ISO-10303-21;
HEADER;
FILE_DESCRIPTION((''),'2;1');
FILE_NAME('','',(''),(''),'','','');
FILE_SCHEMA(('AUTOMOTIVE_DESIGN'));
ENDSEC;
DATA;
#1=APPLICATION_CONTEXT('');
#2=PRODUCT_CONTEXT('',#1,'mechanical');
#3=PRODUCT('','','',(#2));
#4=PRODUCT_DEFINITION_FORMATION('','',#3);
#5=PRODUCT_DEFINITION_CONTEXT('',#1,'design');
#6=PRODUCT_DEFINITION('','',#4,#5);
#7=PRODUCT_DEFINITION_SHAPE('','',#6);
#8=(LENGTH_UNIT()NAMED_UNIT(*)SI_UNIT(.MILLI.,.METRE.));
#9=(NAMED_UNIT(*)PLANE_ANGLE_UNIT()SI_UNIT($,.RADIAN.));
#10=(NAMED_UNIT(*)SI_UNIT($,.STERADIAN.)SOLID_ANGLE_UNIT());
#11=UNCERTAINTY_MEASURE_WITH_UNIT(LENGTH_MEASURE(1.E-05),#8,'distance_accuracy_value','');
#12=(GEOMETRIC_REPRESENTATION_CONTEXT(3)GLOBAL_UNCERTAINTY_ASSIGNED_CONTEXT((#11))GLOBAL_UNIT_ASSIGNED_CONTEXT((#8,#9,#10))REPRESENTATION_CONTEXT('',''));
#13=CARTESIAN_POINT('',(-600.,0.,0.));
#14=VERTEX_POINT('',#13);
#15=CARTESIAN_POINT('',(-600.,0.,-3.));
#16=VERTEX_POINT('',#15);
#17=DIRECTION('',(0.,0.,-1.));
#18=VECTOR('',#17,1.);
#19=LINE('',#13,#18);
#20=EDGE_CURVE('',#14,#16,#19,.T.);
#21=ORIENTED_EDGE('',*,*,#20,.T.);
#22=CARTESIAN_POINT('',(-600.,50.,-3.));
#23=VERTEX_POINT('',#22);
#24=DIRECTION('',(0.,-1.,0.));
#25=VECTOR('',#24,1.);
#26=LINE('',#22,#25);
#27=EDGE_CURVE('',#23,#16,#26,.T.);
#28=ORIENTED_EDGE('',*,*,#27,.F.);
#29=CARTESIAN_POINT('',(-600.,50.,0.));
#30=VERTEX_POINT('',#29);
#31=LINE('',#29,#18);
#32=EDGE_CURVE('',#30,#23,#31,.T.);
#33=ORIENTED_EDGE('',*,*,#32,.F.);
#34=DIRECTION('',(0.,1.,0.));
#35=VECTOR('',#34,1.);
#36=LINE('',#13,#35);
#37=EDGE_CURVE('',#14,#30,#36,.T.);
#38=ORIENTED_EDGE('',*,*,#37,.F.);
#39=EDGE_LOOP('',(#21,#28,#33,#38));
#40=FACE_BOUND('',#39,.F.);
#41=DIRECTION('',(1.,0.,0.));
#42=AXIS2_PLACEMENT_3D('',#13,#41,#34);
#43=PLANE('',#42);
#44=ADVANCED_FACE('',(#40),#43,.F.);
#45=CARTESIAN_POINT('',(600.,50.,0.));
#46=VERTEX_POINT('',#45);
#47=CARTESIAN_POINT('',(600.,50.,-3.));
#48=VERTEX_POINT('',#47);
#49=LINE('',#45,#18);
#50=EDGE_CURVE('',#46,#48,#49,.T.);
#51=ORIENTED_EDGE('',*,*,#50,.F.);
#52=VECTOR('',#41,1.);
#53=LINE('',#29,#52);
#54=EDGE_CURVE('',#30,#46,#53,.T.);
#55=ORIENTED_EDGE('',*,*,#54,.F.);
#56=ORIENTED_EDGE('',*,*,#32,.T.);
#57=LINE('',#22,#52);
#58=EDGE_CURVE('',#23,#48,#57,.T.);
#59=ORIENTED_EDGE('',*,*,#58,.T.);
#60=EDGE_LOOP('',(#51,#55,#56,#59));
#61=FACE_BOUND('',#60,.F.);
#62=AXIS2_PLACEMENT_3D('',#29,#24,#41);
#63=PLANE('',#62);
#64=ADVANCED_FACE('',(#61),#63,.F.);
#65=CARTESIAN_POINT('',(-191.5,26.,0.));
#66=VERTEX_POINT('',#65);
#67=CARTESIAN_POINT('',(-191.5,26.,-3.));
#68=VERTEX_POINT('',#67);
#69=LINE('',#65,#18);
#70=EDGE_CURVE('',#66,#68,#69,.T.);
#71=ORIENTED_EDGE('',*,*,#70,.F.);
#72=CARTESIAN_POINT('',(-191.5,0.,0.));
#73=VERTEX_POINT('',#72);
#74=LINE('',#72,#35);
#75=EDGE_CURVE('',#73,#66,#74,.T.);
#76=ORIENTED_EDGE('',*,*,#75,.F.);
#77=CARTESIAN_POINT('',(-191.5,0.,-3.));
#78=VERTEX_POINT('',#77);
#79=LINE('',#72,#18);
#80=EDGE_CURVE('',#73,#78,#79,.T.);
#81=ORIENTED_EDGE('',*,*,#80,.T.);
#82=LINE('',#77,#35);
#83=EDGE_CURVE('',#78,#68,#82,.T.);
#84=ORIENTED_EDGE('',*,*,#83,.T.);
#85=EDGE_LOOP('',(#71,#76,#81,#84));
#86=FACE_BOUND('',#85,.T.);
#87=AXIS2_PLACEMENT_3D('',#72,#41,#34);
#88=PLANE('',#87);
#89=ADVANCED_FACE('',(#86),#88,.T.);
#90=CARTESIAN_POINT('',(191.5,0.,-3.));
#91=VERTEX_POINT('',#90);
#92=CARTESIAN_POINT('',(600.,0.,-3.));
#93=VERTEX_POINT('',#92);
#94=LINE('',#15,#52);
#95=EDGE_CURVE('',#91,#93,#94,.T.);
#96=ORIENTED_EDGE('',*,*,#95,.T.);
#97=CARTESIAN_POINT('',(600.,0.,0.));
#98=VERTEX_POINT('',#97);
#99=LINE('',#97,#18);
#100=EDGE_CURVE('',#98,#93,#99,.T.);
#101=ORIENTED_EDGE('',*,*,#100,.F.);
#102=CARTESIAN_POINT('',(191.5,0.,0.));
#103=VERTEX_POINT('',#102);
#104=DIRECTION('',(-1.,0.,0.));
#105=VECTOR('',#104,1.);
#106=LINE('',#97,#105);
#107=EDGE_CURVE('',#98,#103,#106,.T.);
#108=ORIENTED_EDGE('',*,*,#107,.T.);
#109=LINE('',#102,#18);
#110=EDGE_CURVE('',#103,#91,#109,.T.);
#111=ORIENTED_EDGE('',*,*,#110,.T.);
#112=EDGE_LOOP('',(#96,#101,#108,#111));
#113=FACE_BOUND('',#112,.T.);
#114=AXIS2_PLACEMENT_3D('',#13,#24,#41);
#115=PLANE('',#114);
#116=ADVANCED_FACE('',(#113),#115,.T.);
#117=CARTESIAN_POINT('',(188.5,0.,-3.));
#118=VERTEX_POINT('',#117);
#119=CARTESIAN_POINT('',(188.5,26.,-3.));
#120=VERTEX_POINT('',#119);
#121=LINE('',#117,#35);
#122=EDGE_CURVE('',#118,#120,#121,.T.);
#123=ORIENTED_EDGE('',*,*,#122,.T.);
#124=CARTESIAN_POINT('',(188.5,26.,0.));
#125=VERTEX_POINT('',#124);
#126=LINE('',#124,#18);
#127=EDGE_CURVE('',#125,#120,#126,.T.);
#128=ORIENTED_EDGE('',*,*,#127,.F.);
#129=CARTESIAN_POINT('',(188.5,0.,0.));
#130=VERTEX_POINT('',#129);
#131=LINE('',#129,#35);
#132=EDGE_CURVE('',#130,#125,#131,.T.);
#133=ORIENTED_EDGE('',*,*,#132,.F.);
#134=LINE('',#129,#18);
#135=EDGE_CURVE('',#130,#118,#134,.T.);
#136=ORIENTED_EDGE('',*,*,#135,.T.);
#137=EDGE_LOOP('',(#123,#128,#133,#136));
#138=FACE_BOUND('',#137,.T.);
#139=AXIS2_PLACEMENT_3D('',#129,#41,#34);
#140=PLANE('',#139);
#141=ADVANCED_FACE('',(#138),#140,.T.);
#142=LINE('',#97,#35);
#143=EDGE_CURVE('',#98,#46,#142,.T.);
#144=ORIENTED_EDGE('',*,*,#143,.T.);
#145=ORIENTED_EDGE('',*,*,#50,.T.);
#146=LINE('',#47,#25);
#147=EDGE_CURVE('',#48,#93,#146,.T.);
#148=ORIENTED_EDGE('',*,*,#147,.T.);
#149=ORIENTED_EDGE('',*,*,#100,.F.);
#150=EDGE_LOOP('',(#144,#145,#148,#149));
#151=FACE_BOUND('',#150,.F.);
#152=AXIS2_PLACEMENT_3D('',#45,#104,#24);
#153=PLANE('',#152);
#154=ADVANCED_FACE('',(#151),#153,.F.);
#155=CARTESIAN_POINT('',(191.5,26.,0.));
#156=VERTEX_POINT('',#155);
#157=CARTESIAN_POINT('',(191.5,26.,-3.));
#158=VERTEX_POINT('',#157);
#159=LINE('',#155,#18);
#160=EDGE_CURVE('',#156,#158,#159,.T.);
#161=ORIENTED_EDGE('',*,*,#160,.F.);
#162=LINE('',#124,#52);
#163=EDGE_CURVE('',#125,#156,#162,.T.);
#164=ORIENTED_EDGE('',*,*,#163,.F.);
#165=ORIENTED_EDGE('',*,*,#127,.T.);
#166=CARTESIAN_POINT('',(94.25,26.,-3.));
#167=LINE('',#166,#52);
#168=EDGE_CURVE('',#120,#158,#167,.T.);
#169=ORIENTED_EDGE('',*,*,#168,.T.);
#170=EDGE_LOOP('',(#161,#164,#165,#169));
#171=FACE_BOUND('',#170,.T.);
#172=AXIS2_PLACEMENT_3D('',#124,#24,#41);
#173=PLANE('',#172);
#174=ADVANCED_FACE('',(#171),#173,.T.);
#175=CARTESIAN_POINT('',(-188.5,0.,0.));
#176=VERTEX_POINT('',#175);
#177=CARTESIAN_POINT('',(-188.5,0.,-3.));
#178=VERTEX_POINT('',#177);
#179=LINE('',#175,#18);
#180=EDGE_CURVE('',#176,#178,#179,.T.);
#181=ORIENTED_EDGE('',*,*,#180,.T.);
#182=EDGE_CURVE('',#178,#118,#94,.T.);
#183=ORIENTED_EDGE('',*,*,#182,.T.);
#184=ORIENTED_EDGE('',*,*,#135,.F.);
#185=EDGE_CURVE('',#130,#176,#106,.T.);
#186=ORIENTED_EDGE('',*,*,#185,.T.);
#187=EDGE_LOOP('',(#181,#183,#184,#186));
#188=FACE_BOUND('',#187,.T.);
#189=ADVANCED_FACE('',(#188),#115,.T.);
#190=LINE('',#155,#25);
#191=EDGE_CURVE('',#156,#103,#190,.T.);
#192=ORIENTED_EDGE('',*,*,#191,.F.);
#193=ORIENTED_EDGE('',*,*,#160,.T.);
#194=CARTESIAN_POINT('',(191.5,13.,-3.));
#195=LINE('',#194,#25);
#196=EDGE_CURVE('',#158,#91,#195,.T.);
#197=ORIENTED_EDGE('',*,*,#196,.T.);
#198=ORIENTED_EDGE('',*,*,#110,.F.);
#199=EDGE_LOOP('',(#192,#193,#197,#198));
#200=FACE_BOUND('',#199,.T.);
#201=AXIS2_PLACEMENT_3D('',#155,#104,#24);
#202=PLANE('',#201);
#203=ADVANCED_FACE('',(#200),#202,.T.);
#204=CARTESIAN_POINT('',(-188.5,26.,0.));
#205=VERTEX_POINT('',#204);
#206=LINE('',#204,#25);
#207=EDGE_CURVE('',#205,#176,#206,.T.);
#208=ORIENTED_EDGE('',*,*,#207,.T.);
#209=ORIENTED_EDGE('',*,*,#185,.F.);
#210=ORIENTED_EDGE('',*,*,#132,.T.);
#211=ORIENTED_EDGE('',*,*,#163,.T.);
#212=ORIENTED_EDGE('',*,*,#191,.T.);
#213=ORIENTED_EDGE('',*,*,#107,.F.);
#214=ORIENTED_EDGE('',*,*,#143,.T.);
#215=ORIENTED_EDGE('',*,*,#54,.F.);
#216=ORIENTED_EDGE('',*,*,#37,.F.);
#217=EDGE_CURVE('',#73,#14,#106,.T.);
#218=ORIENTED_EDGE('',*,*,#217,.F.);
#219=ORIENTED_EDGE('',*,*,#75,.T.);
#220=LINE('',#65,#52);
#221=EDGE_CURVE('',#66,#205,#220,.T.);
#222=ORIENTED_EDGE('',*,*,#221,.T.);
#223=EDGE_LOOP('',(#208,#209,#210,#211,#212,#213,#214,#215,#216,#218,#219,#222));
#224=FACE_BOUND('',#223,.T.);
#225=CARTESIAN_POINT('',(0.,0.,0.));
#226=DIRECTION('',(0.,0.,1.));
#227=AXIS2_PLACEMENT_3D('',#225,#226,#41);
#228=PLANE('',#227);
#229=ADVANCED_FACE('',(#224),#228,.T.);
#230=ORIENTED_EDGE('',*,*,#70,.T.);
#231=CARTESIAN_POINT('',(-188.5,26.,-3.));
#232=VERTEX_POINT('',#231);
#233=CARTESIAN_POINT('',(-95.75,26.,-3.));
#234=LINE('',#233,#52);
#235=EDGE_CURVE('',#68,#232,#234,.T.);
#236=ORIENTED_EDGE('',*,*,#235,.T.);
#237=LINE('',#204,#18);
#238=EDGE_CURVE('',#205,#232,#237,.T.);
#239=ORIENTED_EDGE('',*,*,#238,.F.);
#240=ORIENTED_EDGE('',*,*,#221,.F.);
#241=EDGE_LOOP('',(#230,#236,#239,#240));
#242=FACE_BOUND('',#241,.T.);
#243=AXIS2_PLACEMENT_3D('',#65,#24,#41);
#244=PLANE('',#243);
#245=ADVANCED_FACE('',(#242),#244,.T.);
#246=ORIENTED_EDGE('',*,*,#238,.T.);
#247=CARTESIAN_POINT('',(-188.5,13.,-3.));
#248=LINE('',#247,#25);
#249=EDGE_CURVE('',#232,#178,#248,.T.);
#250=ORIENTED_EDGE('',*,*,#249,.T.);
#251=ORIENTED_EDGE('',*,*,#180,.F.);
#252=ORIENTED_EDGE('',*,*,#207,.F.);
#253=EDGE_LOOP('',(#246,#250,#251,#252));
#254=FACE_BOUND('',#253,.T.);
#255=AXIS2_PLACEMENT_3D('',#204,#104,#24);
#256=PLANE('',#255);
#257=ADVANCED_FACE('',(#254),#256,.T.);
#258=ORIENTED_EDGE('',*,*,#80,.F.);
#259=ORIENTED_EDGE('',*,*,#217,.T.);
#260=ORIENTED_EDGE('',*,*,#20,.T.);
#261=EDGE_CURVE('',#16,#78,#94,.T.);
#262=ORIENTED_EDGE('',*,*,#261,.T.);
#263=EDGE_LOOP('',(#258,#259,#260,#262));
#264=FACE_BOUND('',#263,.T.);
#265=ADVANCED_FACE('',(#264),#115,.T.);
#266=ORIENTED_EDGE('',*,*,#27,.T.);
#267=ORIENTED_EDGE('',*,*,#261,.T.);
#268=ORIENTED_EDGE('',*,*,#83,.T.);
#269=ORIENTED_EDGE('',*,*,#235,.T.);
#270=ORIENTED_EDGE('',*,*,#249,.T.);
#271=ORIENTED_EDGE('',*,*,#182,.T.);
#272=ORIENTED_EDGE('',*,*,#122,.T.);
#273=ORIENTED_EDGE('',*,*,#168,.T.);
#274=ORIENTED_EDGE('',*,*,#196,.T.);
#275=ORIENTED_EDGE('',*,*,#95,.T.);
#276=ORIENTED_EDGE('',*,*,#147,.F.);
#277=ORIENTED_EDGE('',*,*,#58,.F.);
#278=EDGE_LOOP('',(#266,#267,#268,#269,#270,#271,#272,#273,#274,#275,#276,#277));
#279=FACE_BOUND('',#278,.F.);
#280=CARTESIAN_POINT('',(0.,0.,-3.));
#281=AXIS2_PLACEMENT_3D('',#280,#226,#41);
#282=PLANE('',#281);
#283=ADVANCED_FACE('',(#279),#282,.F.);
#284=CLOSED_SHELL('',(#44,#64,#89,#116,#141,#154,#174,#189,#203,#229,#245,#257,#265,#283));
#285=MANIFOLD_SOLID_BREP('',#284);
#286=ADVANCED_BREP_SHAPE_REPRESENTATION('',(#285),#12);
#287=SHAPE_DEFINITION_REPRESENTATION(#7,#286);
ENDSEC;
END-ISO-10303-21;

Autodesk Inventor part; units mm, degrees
ref_plane "YZ Plane" through (0, 0, 0) normal (1, 0, 0) x (0, 1, 0)
ref_plane "XZ Plane" through (0, 0, 0) normal (0, 1, 0) x (-1, 0, 0)
ref_plane "XY Plane" through (0, 0, 0) normal (0, 0, 1) x (1, 0, 0)
sketch "Sketch1" plane through (0, 0, 0) normal (0, 0, 1) x (1, 0, 0)
  line L0 (-600, 0) -> (600, 0)
  line L1 (-600, 0) -> (-600, 50)
  line L2 (-600, 50) -> (600, 50)
  line L3 (600, 50) -> (600, 0)
  circle A0 centre (-600, 0) radius 25
  circle A1 centre (600, 0) radius 25
  line L4 (600, 0) -> (644.2345, 16.1001)
  line L5 (644.2345, 16.1001) -> (635, 50)
  line L6 (635, 50) -> (600, 50)
  point P0 (0, 0)
  point P1 (0, 0)
  point P2 (-600, 25)
  point P3 (-575, 0)
  point P4 (575, 0)
  point P5 (600, 25)
  point P6 (623.4923, 8.5505)
  dimension "d18" = 50
  dimension "d19" = 1200
  dimension "d25" = 50
  dimension "d26" = 50
  dimension "d39" = 70
  dimension "d40" = 35
extrude "Plate2" add sketch "Sketch1" against normal blind 3 contours L1 A0 L0 | A0 L1 L2 L3 A1 L0 | A1 L3 L0 picked at (-598.1457, 16.4577)
sketch "Sketch3" plane through (0, 0, 0) normal (0, 0, 1) x (1, 0, 0)
  line L0 (-190, 0) -> (-190, 50) construction
  line L1 (600, 50) -> (-600, 50) projected
  line L2 (-600, 50) -> (-600, 0) projected
  line L3 (-191.5, 26) -> (-188.5, 26)
  line L4 (-188.5, 26) -> (-188.5, 0)
  line L5 (-188.5, 0) -> (-191.5, 0)
  line L6 (-191.5, 0) -> (-191.5, 26)
  line L7 (-600, 0) -> (600, 0) projected
  line L8 (190, 50) -> (190, 0) construction
  line L9 (188.5, 26) -> (191.5, 26)
  line L10 (191.5, 26) -> (191.5, 0)
  line L11 (191.5, 0) -> (188.5, 0)
  line L12 (188.5, 0) -> (188.5, 26)
  point P0 (0, 0)
  point P1 (-550, 25)
  point P2 (-525, 0)
  point P3 (525, 0)
  point P4 (0, 0)
  point P5 (0, 0)
  point P6 (191.5, 0)
  point P7 (585, 50)
  dimension "d28" = 3
  dimension "d29" = 26
  dimension "d35" = 190
  dimension "d36" = 190
  dimension "d37" = 3
  dimension "d38" = 26
extrude "Extrusion2" cut sketch "Sketch3" against normal through all
equation "\"d28\" = Thickness"
equation "\"d36\" = d35"
equation "\"d37\" = Thickness"
equation "\"d38\" = d29"
equation "\"d20\" = Thickness"
equation "\"BendReliefWidth\" = Thickness"
equation "\"BendReliefDepth\" = 0.5 * Thickness"
equation "\"CornerReliefSize\" = 4 * Thickness"
equation "\"MinimumRemnant\" = 2 * Thickness"
equation "\"TransitionRadius\" = BendRadius"
equation "\"JacobiRadiusSize\" = BendRadius"
equation "\"GapSize\" = Thickness"
equation "\"Thickness\" = 3"
equation "\"BendRadius\" = 5"
properties part number "MSC 106 rib cone" material "Stainless Steel"
